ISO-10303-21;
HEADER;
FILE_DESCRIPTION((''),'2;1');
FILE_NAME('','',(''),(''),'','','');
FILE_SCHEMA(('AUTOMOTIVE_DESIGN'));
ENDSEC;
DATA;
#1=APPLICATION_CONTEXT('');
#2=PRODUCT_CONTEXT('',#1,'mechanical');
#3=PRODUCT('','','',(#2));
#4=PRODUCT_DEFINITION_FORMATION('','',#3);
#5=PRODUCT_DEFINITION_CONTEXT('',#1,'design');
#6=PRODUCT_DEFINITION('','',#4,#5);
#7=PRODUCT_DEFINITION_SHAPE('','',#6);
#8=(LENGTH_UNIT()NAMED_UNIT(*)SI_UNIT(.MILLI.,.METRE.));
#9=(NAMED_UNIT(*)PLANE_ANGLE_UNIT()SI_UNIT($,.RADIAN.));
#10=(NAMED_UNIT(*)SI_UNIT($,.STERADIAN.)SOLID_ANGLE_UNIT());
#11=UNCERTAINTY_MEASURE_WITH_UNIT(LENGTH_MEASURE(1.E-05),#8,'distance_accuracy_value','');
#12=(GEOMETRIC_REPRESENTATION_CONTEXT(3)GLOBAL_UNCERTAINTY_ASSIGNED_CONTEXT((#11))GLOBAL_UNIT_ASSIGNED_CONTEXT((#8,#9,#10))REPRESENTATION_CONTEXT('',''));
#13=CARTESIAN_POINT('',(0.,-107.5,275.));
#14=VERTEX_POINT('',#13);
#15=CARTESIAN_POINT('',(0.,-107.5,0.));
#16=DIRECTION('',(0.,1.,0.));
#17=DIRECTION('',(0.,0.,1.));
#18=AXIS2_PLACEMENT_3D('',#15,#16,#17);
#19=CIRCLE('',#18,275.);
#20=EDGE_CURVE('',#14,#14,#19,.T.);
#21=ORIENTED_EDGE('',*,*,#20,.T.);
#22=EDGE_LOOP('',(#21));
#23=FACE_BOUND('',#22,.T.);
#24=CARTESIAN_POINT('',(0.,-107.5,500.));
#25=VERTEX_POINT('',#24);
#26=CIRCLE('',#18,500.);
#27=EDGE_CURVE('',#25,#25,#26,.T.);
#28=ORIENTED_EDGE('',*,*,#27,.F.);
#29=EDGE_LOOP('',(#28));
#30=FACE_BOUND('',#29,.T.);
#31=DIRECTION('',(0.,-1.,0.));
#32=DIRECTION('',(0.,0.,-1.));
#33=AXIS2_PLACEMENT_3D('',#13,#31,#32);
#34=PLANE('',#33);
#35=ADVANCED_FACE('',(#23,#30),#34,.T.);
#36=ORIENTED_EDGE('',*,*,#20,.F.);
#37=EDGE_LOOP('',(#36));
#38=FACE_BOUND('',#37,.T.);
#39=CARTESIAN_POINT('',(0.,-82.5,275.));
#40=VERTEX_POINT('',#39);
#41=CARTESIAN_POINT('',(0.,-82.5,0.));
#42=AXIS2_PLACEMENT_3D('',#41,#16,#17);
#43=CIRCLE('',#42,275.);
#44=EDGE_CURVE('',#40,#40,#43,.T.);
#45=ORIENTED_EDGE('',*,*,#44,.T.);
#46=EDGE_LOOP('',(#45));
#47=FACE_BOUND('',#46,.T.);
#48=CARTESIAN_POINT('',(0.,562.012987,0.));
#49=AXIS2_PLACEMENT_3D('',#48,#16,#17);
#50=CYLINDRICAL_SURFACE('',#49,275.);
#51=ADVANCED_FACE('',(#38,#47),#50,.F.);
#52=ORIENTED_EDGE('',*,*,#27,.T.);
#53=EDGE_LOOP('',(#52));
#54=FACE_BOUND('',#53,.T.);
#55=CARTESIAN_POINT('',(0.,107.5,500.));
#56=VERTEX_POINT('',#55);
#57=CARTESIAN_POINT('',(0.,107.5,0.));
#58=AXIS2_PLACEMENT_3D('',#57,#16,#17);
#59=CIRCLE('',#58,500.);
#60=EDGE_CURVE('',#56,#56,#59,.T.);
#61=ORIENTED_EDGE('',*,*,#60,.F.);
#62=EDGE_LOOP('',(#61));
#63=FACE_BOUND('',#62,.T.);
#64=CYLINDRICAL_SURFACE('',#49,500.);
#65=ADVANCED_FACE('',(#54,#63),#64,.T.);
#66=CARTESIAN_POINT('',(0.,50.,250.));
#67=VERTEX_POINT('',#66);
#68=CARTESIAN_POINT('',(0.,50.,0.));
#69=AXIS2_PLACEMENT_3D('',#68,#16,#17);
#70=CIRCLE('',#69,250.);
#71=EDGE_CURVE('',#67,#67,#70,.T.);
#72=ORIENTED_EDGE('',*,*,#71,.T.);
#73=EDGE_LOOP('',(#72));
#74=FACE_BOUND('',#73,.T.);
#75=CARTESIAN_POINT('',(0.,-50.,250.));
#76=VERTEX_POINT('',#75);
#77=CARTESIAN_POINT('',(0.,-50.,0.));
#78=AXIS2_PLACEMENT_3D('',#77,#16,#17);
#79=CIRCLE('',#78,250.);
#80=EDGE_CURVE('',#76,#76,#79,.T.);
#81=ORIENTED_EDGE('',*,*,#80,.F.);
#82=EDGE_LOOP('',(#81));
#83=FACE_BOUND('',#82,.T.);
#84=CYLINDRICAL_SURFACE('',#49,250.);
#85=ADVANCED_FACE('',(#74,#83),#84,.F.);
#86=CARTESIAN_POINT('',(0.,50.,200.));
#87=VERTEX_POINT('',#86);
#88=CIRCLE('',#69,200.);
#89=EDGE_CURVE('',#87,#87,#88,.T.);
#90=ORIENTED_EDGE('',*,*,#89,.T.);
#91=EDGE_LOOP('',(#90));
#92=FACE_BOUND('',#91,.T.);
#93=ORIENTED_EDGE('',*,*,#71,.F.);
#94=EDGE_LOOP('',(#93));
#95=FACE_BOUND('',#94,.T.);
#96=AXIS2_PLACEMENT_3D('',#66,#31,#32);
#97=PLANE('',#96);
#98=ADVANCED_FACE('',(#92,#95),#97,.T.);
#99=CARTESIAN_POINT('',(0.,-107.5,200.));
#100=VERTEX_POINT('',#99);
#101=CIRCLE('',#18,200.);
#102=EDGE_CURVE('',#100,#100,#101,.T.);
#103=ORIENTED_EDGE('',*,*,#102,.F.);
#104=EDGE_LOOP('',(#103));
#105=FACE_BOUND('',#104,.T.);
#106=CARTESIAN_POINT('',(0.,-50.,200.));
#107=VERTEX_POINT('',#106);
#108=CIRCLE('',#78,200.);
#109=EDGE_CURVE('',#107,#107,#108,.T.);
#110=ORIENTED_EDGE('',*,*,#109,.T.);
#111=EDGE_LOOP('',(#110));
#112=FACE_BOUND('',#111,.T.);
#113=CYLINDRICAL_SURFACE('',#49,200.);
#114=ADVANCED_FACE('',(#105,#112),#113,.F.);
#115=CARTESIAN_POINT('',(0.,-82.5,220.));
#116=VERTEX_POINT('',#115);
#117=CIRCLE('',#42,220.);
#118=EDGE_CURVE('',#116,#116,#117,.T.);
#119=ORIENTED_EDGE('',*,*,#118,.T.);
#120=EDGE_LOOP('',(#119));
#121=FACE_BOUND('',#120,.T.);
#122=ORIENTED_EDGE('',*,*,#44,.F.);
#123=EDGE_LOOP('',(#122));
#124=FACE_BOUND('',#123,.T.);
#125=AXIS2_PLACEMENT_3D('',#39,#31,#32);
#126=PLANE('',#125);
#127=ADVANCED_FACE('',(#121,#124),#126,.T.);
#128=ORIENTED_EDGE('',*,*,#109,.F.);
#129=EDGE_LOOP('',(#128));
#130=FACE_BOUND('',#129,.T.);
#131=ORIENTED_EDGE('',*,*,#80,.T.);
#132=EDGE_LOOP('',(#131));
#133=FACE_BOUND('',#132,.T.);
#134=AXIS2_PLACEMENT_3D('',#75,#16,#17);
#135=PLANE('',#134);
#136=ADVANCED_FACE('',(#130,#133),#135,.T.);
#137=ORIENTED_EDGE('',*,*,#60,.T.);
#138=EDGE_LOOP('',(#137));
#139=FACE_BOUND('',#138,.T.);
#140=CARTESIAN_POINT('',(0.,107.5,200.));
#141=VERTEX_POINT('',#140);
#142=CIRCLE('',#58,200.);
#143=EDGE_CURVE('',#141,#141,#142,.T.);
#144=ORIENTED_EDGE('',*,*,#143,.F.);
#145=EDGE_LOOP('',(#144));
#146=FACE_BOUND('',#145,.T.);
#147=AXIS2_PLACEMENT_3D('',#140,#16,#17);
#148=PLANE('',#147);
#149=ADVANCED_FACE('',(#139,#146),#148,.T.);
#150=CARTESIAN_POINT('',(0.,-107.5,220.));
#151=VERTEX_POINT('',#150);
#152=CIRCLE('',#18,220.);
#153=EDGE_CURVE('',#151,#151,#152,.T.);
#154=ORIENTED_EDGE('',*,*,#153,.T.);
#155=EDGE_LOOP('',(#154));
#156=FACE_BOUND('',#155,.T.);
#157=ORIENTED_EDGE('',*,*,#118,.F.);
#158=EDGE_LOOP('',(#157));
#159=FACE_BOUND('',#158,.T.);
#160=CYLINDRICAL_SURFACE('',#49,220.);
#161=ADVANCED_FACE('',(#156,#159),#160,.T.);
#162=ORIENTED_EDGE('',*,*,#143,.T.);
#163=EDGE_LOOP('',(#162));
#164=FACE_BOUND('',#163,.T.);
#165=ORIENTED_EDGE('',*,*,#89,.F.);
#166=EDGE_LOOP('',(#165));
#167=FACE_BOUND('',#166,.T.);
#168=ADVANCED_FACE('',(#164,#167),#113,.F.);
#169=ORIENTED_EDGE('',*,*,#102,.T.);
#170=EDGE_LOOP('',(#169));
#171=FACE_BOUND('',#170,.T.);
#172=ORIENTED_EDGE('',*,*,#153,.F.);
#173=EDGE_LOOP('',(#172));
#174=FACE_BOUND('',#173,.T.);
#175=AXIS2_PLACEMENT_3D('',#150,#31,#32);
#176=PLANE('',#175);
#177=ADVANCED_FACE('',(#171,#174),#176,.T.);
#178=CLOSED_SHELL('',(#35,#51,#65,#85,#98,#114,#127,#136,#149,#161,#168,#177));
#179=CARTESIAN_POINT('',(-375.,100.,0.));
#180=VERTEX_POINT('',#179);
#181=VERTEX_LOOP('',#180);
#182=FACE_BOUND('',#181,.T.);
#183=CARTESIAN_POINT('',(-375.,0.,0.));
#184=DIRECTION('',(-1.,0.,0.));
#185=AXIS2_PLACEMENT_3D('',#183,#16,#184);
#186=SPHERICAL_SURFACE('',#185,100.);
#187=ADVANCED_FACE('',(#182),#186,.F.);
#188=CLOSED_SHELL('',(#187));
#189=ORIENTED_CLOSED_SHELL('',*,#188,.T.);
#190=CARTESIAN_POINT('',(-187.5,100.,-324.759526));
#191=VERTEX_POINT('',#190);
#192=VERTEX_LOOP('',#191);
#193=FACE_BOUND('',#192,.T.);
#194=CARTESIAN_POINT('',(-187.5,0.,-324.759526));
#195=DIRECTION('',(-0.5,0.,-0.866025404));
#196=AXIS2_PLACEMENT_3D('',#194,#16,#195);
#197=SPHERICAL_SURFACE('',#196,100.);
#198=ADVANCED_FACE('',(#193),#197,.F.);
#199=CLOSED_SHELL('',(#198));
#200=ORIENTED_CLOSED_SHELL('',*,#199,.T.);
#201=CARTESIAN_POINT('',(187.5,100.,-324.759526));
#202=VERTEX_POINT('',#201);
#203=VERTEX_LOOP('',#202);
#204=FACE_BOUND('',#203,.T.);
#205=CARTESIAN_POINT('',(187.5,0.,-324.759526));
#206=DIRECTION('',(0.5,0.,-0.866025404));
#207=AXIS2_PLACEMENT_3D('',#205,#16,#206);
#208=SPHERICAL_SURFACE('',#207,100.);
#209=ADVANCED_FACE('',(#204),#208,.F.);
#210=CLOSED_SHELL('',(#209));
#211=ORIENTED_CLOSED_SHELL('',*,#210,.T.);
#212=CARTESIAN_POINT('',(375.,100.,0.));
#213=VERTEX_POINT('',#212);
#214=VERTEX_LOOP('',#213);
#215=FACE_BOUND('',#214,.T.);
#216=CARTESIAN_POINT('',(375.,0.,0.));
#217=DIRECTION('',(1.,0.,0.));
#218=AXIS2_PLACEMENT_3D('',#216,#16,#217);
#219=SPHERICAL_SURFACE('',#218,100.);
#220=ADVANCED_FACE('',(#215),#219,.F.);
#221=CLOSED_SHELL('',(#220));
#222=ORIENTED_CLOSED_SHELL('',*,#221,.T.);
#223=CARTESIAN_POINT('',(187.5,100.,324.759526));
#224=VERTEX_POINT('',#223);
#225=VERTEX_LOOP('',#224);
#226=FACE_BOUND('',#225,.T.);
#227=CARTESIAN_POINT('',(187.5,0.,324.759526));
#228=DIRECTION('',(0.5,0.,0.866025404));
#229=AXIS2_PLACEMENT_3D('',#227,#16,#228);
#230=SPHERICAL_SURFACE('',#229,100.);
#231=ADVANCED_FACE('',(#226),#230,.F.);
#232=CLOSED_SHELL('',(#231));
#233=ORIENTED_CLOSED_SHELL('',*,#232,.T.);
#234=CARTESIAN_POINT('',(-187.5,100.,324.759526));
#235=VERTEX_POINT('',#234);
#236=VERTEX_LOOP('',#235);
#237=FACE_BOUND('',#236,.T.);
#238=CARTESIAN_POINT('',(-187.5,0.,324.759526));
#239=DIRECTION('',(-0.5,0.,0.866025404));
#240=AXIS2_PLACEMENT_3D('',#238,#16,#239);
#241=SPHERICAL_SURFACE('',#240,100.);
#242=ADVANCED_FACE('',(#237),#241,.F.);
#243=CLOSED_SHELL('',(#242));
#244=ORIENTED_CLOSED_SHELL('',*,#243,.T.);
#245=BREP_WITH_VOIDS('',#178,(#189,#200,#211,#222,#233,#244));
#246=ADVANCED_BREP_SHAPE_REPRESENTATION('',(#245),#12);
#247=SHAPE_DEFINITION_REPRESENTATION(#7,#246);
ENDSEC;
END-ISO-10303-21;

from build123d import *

# Parameters (mm, degrees)
CIRPATTERN1_COUNT = 6


with BuildPart() as part:
    # Sketch1 → Revolve1 (revolve)
    with BuildSketch(Plane(origin=(0, 0, 0), x_dir=(0, 0, -1), z_dir=(1, 0, 0))):
        Polygon((-250, 50), (-250, -50), (-200, -50), (-200, -107.5), (-220, -107.5), (-220, -82.5), (-275, -82.5), (-275, -107.5), (-500, -107.5), (-500, 107.5), (-200, 107.5), (-200, 50), align=None)
    revolve(axis=Axis((0, 562.012987013, 0), (0, -1, 0)))

    # Sketch2 → Cut-Revolve1 (revolve, cut)
    with BuildSketch(Plane.XY):
        with BuildLine():
            Line((-375, 100), (-375, -100))
            ThreePointArc((-375, -100), (-475, 0), (-375, 100))
        make_face()
    cut_revolve1 = revolve(axis=Axis((-375, 100, 0), (0, -1, 0)), mode=Mode.SUBTRACT)

    # CirPattern1: Cut-Revolve1 ×6 about axis
    cirpattern1_axis = Axis((0, 0, 0), (0, 1, 0))
    for i in range(1, CIRPATTERN1_COUNT):
        add(cut_revolve1.rotate(cirpattern1_axis, i * 360 / CIRPATTERN1_COUNT), mode=Mode.SUBTRACT)


solid = part.part
